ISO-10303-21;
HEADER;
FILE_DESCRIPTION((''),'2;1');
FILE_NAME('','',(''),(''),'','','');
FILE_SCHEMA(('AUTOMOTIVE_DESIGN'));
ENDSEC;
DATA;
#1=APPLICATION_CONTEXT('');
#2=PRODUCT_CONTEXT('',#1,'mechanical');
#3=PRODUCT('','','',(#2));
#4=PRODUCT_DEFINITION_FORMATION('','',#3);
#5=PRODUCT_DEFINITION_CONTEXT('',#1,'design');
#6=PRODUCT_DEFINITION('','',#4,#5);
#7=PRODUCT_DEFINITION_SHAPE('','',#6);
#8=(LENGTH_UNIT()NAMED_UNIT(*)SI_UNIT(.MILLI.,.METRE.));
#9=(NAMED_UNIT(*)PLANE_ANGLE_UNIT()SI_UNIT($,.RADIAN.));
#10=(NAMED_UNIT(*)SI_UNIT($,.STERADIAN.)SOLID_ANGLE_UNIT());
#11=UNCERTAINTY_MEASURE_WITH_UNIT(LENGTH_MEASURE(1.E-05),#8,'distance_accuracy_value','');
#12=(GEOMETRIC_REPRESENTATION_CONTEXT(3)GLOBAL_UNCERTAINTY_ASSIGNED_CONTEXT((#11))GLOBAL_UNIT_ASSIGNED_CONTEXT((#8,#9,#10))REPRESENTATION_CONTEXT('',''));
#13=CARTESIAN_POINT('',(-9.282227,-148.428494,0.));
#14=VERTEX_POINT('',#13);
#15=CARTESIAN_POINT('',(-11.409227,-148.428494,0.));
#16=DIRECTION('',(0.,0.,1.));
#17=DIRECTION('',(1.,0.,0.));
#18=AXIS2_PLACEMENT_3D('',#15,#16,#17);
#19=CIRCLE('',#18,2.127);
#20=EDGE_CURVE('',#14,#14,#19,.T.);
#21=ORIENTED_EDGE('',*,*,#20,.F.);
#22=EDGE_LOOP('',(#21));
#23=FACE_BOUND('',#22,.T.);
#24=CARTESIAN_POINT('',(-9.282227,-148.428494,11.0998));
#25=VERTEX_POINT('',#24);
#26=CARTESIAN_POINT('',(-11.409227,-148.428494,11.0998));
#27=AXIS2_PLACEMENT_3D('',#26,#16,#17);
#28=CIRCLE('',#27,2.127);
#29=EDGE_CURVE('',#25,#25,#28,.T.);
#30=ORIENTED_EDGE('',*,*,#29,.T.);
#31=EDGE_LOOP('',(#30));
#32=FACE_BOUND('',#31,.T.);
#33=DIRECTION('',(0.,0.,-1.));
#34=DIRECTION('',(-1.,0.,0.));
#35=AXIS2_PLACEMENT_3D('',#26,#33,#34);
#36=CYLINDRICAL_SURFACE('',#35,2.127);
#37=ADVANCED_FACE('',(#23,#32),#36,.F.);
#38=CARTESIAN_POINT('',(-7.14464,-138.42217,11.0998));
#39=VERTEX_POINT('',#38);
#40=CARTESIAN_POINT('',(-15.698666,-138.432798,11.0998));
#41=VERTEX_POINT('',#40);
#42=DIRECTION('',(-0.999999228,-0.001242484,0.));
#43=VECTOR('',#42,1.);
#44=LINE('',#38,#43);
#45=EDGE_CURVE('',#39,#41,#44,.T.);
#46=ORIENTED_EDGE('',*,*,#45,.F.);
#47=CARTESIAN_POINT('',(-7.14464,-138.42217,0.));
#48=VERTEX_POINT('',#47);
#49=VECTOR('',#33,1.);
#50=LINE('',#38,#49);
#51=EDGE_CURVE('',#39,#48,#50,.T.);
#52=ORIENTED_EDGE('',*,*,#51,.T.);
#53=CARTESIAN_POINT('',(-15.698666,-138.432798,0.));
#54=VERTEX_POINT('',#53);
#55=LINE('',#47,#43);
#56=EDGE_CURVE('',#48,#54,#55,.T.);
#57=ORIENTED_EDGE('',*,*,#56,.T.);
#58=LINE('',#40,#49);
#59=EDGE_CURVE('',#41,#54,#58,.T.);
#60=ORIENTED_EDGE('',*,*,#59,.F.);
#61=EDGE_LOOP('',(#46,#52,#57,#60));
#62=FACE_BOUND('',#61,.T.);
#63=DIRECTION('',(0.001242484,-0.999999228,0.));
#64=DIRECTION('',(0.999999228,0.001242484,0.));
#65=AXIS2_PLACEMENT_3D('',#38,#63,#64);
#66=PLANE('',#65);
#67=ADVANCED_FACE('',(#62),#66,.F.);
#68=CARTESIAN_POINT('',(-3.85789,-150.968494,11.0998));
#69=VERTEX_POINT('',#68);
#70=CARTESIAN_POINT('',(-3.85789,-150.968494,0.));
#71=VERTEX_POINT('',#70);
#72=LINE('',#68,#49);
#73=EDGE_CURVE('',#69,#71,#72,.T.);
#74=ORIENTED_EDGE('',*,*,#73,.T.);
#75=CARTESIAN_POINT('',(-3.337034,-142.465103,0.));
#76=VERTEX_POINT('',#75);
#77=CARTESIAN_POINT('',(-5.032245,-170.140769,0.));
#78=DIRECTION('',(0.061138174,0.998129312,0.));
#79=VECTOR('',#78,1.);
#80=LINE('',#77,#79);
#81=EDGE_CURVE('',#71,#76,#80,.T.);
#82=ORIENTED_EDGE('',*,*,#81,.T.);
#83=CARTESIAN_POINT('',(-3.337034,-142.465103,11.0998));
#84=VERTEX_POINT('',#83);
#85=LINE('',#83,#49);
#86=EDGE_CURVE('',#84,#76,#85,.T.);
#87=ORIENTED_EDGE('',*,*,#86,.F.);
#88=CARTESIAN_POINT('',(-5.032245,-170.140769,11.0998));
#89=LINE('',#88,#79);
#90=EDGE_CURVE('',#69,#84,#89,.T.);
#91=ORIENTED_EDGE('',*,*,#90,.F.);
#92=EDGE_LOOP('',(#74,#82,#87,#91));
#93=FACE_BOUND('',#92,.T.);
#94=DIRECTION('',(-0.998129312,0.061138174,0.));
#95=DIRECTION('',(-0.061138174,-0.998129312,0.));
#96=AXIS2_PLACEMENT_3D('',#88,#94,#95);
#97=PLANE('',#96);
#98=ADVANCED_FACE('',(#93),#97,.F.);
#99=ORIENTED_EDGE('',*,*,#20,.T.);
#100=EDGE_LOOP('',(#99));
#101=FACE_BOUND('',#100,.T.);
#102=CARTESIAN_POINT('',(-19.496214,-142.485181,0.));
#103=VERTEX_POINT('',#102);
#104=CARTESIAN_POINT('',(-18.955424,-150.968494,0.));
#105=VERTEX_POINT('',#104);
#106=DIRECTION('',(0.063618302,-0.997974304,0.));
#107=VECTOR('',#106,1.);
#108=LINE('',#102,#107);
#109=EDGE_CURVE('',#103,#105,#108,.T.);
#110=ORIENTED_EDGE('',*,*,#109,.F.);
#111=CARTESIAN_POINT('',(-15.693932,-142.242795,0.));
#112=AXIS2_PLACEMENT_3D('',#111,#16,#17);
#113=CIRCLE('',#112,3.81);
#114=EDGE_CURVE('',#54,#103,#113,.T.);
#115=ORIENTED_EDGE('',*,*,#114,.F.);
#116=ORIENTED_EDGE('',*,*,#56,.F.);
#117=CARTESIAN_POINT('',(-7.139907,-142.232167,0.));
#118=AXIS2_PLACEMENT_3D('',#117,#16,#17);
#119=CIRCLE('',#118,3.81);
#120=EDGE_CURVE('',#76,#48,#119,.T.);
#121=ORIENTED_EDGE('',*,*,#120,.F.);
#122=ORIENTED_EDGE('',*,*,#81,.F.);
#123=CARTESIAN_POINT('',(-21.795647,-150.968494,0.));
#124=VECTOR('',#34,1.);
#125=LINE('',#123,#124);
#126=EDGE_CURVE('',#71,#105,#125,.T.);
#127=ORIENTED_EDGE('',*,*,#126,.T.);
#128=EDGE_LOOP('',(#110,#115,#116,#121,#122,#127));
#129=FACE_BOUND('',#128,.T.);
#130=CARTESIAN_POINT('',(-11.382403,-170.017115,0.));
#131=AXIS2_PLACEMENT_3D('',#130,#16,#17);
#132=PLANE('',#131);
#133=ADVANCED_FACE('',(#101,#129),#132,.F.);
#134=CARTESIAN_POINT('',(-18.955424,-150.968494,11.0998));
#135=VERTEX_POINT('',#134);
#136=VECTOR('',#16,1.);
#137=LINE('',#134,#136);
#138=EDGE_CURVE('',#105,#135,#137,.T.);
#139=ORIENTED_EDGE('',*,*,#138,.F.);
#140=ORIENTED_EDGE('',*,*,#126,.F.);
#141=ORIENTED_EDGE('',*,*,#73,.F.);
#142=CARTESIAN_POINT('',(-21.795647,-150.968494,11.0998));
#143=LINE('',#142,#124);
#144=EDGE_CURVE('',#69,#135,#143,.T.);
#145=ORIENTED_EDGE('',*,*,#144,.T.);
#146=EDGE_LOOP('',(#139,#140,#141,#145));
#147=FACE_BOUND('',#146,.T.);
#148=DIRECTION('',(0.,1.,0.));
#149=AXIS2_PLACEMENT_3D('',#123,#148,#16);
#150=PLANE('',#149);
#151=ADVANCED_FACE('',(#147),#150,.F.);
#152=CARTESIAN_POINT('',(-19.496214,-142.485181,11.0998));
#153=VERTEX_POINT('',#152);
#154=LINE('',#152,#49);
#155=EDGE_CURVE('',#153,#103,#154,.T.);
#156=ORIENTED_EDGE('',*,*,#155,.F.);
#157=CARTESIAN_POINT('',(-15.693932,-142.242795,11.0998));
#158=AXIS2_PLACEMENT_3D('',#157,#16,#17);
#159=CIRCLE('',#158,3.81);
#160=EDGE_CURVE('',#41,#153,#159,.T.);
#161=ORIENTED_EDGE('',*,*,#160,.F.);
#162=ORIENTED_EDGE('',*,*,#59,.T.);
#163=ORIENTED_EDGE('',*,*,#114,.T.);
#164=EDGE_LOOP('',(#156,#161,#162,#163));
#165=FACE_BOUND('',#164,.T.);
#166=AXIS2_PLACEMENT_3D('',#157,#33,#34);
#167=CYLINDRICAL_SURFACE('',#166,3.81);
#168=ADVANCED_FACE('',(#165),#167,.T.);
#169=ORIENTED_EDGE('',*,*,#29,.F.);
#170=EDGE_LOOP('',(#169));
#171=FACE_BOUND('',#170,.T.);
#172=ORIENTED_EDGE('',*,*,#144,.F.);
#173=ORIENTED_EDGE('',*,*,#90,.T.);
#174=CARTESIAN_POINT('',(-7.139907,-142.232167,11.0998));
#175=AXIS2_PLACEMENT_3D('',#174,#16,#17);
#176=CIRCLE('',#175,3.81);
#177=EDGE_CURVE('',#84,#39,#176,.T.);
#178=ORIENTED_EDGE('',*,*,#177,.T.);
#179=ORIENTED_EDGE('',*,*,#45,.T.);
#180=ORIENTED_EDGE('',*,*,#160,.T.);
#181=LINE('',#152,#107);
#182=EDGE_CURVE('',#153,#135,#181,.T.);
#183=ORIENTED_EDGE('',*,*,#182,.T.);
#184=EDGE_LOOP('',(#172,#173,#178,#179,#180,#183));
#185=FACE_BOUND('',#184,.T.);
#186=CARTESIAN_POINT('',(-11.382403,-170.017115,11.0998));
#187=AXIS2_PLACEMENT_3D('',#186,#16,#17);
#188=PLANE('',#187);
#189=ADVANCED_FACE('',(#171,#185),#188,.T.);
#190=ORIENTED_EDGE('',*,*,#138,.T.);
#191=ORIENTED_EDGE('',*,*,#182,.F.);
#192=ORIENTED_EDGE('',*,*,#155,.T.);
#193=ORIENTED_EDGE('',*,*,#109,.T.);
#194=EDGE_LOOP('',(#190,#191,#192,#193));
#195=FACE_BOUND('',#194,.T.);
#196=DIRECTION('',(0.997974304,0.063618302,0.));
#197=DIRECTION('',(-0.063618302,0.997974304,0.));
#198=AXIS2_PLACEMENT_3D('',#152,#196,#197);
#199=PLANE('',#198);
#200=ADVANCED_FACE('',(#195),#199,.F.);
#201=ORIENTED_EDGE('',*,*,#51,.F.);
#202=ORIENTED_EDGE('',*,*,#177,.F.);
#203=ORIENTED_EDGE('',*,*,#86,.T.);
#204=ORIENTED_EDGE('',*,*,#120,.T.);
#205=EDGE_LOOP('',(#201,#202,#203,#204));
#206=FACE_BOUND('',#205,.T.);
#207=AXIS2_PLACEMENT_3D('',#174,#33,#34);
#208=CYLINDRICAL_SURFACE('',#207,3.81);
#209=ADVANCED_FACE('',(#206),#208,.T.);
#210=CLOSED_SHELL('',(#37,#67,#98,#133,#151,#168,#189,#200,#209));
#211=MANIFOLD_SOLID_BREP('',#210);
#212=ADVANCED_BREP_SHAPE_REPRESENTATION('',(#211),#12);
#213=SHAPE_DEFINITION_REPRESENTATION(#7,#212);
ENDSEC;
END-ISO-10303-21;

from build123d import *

# Parameters (mm, degrees)
SKETCH2_R           = 2.127
BOSS_EXTRUDE1_DEPTH = 11.0998
SKETCH3_W           = 24.110565092
SKETCH3_H           = 30.85676152
CUT_EXTRUDE1_DEPTH  = 11.0998


with BuildPart() as part:
    # Sketch2 → Boss-Extrude1 (new body)
    with BuildSketch(Plane.XY):
        with BuildLine():
            Line((-5.032244852, -170.140769418), (-3.337033957, -142.465103356))
            ThreePointArc((-3.337033957, -142.465103356), (-4.366318267, -139.620020754), (-7.144640499, -138.422169855))
            Line((-7.144640499, -138.422169855), (-15.698665552, -138.4327981))
            ThreePointArc((-15.698665552, -138.4327981), (-18.474002587, -139.637549336), (-19.496213787, -142.48518089))
            Line((-19.496213787, -142.48518089), (-17.732235049, -170.156548962))
            ThreePointArc((-17.732235049, -170.156548962), (-11.374511927, -176.368472831), (-5.032244852, -170.140769418))
        make_face()
        with Locations((-11.409226923, -148.428494397)):
            Circle(SKETCH2_R, mode=Mode.SUBTRACT)
        with Locations((-11.380823745, -171.288476752)):
            Circle(SKETCH2_R, mode=Mode.SUBTRACT)
    extrude(amount=BOSS_EXTRUDE1_DEPTH)

    # Sketch3 → Cut-Extrude1 (cut)
    with BuildSketch(Plane.XY.offset(11.0998)):
        with Locations((-9.740364604, -166.396875157)):
            Rectangle(SKETCH3_W, SKETCH3_H)
    extrude(amount=-CUT_EXTRUDE1_DEPTH, mode=Mode.SUBTRACT)


solid = part.part
